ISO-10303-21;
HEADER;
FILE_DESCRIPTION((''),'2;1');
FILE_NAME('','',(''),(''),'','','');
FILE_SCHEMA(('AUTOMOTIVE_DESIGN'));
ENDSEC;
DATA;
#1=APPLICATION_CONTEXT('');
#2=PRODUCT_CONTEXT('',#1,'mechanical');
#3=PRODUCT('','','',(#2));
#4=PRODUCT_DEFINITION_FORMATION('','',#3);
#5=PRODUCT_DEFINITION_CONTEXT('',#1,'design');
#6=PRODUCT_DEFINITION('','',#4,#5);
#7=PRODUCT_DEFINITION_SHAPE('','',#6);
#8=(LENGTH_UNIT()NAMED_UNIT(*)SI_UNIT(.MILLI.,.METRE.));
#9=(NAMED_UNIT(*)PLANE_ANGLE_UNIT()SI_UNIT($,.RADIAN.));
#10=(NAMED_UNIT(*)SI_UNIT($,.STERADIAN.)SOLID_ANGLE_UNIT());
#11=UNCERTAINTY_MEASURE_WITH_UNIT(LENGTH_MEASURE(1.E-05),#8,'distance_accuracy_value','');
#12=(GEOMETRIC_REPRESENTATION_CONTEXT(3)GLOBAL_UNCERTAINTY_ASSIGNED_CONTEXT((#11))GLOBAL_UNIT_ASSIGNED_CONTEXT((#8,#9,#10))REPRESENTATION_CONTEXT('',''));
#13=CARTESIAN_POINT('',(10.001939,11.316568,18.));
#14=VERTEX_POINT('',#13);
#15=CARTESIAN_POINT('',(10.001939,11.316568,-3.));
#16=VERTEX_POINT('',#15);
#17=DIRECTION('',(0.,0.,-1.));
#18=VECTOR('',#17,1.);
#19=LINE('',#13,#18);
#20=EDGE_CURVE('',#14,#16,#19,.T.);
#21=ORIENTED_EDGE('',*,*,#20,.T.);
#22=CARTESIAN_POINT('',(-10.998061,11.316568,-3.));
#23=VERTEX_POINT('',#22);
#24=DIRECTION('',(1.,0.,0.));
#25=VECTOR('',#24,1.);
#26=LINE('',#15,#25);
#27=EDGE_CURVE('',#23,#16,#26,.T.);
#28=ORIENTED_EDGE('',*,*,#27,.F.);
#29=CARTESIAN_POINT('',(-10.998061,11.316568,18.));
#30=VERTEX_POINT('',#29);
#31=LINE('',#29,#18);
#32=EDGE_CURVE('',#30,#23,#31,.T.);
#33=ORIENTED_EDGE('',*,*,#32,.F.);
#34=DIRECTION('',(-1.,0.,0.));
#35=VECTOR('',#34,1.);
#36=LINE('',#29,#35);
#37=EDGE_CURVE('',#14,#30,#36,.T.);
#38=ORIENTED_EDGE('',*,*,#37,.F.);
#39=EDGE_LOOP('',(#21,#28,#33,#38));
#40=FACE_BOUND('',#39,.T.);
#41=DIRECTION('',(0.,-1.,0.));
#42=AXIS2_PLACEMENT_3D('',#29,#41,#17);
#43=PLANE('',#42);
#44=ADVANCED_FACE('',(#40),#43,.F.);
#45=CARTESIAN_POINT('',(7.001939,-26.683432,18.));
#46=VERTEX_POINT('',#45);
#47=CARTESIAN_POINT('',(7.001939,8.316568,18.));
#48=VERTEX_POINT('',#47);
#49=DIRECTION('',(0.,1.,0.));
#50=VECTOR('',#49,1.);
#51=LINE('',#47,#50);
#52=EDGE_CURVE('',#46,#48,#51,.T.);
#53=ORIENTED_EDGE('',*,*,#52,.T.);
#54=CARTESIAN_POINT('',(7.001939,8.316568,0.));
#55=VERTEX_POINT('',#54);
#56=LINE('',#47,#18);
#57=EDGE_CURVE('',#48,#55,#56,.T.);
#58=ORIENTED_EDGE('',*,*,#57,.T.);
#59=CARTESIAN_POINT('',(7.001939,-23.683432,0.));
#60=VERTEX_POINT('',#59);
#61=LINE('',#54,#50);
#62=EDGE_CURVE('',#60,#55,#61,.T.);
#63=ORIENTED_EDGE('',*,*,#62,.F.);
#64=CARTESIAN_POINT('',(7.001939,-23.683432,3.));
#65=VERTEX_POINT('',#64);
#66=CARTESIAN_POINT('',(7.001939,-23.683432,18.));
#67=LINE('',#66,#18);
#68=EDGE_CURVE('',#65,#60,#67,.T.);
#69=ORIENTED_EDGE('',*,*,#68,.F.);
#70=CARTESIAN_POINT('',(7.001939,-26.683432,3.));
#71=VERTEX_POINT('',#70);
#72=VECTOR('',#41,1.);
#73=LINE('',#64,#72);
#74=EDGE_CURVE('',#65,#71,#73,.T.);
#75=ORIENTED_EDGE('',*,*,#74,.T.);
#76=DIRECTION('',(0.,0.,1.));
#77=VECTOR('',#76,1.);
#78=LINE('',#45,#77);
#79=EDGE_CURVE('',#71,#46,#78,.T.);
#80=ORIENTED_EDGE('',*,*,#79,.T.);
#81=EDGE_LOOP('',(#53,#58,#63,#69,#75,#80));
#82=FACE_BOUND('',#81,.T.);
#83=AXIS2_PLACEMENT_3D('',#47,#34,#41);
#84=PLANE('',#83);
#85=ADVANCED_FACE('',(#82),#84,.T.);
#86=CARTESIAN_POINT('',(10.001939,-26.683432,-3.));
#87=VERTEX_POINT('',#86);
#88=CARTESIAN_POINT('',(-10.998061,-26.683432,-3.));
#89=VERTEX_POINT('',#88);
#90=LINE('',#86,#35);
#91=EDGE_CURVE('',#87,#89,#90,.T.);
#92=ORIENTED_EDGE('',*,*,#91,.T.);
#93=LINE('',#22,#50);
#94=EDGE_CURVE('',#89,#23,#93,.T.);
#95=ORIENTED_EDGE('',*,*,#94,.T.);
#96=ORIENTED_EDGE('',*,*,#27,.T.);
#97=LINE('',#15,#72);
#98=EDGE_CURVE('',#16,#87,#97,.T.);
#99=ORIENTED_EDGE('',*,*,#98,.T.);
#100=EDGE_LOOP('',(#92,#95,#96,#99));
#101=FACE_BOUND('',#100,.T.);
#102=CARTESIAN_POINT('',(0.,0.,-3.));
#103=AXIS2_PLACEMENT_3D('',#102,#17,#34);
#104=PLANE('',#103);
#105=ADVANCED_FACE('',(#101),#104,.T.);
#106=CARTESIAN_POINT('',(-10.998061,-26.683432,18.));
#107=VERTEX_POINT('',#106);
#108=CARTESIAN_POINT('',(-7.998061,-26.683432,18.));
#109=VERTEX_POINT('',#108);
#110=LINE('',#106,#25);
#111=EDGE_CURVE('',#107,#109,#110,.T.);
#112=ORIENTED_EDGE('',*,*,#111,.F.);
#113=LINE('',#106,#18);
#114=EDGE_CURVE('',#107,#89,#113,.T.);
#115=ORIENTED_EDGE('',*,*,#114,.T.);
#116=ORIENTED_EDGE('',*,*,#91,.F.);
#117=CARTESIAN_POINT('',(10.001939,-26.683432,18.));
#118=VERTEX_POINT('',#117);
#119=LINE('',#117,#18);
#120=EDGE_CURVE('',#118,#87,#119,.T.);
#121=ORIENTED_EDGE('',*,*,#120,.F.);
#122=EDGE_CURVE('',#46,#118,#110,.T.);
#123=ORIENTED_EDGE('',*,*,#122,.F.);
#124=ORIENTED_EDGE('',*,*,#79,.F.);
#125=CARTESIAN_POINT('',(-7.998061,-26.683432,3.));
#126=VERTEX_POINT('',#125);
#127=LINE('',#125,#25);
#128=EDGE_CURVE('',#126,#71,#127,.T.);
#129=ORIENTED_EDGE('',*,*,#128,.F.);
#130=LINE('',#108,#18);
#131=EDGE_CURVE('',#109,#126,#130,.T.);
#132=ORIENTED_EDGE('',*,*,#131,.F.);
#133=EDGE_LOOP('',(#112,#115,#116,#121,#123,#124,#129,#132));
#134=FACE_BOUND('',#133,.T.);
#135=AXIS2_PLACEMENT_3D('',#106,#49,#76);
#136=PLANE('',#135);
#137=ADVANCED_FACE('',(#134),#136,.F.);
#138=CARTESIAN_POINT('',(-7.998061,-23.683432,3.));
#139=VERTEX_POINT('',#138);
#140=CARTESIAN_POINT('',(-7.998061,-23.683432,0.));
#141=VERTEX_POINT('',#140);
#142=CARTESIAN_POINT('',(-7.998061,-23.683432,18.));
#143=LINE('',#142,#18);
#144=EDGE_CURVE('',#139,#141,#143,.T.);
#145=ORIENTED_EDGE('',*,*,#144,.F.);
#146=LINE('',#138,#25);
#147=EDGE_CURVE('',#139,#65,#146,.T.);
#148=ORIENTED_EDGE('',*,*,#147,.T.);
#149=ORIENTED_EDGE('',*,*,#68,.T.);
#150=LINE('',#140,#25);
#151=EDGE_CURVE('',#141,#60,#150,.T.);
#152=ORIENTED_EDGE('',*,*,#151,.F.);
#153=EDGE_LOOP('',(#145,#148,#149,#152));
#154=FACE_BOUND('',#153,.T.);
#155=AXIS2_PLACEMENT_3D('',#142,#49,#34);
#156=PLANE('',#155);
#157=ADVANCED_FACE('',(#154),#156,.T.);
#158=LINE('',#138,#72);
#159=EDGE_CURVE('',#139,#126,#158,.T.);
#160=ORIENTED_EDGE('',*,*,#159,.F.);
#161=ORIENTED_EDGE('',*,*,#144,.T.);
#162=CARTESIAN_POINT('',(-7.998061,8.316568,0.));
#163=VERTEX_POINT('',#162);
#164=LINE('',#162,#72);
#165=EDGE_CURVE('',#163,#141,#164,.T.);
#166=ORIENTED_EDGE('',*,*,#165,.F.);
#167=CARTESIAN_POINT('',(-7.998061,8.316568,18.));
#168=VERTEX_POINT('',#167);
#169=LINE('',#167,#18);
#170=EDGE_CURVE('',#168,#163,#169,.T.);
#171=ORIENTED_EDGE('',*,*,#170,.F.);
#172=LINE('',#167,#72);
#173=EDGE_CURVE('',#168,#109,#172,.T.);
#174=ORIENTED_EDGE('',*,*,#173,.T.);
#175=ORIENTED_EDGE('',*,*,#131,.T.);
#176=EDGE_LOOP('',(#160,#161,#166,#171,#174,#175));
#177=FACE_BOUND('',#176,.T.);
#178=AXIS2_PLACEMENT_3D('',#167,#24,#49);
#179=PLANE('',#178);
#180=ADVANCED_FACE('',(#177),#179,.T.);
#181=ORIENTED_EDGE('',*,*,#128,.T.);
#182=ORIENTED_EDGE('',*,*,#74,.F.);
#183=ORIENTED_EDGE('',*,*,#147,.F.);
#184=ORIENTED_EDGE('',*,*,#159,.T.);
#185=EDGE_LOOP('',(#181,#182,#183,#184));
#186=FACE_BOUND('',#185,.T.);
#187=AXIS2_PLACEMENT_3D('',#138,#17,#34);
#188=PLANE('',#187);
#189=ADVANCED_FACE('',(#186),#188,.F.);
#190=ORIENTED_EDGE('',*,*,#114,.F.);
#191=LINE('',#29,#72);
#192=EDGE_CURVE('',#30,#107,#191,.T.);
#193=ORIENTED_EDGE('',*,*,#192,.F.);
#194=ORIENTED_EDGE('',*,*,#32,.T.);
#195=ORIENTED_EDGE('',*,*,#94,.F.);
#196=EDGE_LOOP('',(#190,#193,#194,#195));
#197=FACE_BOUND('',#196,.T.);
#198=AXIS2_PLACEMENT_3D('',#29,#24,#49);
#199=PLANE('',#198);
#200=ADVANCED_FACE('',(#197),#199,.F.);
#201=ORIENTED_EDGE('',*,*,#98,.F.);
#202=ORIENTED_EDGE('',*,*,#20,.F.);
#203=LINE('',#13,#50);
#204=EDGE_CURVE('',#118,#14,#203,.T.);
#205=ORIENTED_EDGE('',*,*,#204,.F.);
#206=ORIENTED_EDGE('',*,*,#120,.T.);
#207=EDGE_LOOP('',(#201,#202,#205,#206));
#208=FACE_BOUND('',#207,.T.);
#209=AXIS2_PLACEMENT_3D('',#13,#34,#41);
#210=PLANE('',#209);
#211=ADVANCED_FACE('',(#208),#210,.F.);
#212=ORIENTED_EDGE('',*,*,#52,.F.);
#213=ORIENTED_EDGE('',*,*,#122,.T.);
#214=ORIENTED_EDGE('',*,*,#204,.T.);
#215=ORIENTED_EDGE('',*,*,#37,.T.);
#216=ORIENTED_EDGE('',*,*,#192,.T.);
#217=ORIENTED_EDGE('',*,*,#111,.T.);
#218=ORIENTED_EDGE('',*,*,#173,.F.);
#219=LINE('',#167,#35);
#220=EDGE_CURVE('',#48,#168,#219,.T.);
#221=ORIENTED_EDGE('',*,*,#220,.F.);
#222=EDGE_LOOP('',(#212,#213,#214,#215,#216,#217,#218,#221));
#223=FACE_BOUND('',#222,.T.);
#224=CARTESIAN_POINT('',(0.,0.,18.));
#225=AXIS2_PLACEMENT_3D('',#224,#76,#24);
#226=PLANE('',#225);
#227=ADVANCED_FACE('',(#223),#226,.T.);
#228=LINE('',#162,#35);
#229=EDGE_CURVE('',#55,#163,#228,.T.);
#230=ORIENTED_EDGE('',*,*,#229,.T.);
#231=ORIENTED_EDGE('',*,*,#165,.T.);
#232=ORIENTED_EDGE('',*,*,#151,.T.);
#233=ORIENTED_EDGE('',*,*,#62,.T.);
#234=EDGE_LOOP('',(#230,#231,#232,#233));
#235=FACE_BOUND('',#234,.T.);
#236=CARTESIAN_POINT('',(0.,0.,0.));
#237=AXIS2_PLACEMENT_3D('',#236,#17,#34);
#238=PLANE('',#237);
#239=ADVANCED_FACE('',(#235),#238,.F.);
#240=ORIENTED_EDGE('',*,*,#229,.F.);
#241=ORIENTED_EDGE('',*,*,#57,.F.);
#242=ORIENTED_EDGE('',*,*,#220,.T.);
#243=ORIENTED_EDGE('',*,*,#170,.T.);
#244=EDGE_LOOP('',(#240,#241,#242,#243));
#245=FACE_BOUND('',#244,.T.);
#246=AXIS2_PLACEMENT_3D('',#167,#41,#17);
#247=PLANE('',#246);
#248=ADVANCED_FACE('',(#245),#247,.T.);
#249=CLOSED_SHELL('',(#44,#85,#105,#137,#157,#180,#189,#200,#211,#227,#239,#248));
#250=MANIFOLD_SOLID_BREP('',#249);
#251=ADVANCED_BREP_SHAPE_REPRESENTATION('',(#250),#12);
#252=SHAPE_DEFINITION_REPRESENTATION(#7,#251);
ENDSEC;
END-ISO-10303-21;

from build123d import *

# Parameters (mm, degrees)
SKETCH_1_W          = 21
SKETCH_1_H          = 38
SKETCH_1_W_2        = 15
SKETCH_1_H_2        = 32
EXTRUDE_1_DEPTH     = 18
SKETCH_2_W          = 21
SKETCH_2_H          = 38
EXTRUDE_2_DEPTH     = 3
SKETCH_3_W          = 15
SKETCH_3_H          = 15
CUT_EXTRUDE_1_DEPTH = 3


with BuildPart() as part:
    # 草圖1 → 填料-伸長1 (new body)
    with BuildSketch(Plane.XY):
        with Locations((-0.498060931, -7.683431953)):
            Rectangle(SKETCH_1_W, SKETCH_1_H)
        with Locations((-0.498060931, -7.683431953)):
            Rectangle(SKETCH_1_W_2, SKETCH_1_H_2, mode=Mode.SUBTRACT)
    extrude(amount=EXTRUDE_1_DEPTH)

    # 草圖2 → 填料-伸長2 (add)
    with BuildSketch(Plane(origin=(0, 0, 0), x_dir=(-1, 0, 0), z_dir=(0, 0, -1))):
        with Locations((0.498060931, -7.683431953)):
            Rectangle(SKETCH_2_W, SKETCH_2_H)
    extrude(amount=EXTRUDE_2_DEPTH)

    # 草圖3 → 除料-伸長1 (cut)
    with BuildSketch(Plane.XZ.offset(26.683431953)):
        with Locations((-0.498060931, 10.5)):
            Rectangle(SKETCH_3_W, SKETCH_3_H)
    extrude(amount=-CUT_EXTRUDE_1_DEPTH, mode=Mode.SUBTRACT)


solid = part.part
